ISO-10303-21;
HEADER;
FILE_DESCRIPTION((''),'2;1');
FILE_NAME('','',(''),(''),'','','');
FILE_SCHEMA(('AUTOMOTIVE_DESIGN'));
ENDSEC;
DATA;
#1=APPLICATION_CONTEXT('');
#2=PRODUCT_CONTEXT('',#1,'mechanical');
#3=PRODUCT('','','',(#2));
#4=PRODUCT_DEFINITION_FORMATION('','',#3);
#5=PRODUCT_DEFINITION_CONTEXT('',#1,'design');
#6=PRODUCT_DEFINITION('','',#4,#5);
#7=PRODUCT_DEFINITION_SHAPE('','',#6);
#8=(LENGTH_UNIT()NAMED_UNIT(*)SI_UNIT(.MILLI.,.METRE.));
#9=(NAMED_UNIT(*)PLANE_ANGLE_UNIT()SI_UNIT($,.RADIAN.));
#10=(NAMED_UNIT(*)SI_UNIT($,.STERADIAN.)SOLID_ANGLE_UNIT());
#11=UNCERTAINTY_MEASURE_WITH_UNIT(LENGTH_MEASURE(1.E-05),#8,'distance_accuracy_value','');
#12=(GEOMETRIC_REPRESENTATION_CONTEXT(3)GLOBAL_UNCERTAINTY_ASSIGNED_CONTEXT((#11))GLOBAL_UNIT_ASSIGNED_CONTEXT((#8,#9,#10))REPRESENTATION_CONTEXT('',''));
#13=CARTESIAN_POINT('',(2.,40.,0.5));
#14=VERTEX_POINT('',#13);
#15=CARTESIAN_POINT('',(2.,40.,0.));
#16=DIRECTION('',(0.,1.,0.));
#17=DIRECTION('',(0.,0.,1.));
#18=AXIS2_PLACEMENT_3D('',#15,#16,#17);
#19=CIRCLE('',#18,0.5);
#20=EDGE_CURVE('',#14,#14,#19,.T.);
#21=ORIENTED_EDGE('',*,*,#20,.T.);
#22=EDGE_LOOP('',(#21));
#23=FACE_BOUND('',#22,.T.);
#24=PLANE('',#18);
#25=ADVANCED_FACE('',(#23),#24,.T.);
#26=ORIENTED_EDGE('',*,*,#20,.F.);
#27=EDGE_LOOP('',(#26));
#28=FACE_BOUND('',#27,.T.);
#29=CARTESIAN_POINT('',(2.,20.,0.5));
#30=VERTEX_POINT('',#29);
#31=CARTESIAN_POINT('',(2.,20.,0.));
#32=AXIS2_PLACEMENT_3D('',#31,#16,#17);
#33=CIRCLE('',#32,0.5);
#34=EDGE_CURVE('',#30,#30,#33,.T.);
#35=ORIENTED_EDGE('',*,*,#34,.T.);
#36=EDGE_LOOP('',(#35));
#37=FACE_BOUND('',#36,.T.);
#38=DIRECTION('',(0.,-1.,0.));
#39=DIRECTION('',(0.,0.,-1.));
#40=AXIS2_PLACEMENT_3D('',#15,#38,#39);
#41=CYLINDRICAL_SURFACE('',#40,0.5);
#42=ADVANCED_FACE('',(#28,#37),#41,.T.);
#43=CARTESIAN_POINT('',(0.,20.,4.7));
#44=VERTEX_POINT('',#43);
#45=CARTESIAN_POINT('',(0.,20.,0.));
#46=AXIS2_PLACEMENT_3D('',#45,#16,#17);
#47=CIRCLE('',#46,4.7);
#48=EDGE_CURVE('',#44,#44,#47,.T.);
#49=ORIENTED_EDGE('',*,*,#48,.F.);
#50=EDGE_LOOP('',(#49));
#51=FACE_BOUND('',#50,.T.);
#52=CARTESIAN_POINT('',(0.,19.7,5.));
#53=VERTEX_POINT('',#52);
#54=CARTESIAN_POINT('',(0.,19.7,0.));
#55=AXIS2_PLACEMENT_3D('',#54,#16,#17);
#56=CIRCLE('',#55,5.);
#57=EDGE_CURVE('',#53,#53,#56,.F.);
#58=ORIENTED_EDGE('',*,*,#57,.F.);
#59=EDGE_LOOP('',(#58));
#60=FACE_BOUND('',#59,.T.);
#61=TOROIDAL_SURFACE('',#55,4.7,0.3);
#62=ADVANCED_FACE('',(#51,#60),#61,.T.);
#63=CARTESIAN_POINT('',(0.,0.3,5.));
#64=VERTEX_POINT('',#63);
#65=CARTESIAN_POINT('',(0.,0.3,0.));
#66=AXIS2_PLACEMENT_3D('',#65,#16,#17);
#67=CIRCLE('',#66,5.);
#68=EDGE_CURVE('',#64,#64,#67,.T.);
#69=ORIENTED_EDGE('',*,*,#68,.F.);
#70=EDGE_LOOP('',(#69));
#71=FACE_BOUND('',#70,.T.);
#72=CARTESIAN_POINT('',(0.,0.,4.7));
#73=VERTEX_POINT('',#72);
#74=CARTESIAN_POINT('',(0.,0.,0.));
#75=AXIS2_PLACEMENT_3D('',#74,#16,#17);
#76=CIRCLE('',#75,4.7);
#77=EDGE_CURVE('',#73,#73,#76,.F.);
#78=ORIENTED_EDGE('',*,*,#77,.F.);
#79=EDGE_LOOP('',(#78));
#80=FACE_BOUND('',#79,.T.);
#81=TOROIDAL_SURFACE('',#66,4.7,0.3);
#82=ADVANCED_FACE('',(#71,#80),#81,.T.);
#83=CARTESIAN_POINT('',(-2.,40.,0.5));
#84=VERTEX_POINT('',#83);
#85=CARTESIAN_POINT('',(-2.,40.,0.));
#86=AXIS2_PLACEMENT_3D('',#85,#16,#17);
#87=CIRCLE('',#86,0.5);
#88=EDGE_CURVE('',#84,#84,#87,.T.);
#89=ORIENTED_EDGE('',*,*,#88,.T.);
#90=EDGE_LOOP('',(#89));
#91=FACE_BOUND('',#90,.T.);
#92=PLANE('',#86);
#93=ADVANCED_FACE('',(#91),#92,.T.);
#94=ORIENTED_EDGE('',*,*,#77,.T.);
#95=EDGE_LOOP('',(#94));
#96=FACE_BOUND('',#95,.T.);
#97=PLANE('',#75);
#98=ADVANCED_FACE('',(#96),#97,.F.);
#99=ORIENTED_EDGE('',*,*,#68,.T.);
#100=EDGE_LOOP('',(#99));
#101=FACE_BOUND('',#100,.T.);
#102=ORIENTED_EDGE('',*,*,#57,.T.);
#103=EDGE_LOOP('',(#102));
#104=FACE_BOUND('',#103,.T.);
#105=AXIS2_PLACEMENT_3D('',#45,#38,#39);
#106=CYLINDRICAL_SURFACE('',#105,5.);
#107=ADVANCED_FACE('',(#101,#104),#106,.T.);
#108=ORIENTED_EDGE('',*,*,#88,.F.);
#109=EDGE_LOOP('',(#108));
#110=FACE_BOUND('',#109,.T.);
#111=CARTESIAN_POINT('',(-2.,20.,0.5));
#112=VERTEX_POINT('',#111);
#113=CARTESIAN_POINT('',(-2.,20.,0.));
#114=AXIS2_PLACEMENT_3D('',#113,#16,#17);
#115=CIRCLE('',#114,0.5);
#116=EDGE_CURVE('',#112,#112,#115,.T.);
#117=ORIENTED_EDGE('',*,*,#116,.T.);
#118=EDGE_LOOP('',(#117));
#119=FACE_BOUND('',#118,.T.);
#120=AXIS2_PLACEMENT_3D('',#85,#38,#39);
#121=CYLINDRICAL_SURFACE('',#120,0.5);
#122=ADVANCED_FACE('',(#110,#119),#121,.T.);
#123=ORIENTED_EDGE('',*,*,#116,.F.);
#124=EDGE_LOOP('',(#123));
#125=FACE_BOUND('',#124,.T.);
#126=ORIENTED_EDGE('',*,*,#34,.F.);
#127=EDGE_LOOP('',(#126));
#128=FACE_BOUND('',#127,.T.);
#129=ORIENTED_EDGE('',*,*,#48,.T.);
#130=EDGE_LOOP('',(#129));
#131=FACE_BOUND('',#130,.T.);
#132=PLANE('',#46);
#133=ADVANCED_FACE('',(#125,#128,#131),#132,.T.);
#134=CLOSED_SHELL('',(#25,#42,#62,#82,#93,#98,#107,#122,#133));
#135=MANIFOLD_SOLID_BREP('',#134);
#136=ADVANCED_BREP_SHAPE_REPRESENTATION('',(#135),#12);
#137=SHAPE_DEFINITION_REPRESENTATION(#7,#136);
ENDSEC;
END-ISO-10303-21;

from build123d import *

# Parameters (mm, degrees)
SKETCH1_R           = 5
BOSS_EXTRUDE1_DEPTH = 20
SKETCH2_R           = 0.5
BOSS_EXTRUDE2_DEPTH = 20
FILLET1_R           = 0.3


with BuildPart() as part:
    # Sketch1 → Boss-Extrude1 (new body)
    with BuildSketch(Plane(origin=(0, 0, 0), x_dir=(1, 0, 0), z_dir=(0, 1, 0))):
        Circle(SKETCH1_R)
    extrude(amount=BOSS_EXTRUDE1_DEPTH)

    # Sketch2 → Boss-Extrude2 (add)
    with BuildSketch(Plane(origin=(0, 20, 0), x_dir=(1, 0, 0), z_dir=(0, 1, 0))):
        with Locations((-2, 0)):
            Circle(SKETCH2_R)
        with Locations((2, 0)):
            Circle(SKETCH2_R)
    extrude(amount=BOSS_EXTRUDE2_DEPTH)

    # Fillet1
    fillet1_edges = [part.edges().sort_by_distance(p)[0] for p in [
        (-5, 0, 0),
        (-5, 20, 0),
    ]]
    fillet(fillet1_edges, radius=FILLET1_R)


solid = part.part
